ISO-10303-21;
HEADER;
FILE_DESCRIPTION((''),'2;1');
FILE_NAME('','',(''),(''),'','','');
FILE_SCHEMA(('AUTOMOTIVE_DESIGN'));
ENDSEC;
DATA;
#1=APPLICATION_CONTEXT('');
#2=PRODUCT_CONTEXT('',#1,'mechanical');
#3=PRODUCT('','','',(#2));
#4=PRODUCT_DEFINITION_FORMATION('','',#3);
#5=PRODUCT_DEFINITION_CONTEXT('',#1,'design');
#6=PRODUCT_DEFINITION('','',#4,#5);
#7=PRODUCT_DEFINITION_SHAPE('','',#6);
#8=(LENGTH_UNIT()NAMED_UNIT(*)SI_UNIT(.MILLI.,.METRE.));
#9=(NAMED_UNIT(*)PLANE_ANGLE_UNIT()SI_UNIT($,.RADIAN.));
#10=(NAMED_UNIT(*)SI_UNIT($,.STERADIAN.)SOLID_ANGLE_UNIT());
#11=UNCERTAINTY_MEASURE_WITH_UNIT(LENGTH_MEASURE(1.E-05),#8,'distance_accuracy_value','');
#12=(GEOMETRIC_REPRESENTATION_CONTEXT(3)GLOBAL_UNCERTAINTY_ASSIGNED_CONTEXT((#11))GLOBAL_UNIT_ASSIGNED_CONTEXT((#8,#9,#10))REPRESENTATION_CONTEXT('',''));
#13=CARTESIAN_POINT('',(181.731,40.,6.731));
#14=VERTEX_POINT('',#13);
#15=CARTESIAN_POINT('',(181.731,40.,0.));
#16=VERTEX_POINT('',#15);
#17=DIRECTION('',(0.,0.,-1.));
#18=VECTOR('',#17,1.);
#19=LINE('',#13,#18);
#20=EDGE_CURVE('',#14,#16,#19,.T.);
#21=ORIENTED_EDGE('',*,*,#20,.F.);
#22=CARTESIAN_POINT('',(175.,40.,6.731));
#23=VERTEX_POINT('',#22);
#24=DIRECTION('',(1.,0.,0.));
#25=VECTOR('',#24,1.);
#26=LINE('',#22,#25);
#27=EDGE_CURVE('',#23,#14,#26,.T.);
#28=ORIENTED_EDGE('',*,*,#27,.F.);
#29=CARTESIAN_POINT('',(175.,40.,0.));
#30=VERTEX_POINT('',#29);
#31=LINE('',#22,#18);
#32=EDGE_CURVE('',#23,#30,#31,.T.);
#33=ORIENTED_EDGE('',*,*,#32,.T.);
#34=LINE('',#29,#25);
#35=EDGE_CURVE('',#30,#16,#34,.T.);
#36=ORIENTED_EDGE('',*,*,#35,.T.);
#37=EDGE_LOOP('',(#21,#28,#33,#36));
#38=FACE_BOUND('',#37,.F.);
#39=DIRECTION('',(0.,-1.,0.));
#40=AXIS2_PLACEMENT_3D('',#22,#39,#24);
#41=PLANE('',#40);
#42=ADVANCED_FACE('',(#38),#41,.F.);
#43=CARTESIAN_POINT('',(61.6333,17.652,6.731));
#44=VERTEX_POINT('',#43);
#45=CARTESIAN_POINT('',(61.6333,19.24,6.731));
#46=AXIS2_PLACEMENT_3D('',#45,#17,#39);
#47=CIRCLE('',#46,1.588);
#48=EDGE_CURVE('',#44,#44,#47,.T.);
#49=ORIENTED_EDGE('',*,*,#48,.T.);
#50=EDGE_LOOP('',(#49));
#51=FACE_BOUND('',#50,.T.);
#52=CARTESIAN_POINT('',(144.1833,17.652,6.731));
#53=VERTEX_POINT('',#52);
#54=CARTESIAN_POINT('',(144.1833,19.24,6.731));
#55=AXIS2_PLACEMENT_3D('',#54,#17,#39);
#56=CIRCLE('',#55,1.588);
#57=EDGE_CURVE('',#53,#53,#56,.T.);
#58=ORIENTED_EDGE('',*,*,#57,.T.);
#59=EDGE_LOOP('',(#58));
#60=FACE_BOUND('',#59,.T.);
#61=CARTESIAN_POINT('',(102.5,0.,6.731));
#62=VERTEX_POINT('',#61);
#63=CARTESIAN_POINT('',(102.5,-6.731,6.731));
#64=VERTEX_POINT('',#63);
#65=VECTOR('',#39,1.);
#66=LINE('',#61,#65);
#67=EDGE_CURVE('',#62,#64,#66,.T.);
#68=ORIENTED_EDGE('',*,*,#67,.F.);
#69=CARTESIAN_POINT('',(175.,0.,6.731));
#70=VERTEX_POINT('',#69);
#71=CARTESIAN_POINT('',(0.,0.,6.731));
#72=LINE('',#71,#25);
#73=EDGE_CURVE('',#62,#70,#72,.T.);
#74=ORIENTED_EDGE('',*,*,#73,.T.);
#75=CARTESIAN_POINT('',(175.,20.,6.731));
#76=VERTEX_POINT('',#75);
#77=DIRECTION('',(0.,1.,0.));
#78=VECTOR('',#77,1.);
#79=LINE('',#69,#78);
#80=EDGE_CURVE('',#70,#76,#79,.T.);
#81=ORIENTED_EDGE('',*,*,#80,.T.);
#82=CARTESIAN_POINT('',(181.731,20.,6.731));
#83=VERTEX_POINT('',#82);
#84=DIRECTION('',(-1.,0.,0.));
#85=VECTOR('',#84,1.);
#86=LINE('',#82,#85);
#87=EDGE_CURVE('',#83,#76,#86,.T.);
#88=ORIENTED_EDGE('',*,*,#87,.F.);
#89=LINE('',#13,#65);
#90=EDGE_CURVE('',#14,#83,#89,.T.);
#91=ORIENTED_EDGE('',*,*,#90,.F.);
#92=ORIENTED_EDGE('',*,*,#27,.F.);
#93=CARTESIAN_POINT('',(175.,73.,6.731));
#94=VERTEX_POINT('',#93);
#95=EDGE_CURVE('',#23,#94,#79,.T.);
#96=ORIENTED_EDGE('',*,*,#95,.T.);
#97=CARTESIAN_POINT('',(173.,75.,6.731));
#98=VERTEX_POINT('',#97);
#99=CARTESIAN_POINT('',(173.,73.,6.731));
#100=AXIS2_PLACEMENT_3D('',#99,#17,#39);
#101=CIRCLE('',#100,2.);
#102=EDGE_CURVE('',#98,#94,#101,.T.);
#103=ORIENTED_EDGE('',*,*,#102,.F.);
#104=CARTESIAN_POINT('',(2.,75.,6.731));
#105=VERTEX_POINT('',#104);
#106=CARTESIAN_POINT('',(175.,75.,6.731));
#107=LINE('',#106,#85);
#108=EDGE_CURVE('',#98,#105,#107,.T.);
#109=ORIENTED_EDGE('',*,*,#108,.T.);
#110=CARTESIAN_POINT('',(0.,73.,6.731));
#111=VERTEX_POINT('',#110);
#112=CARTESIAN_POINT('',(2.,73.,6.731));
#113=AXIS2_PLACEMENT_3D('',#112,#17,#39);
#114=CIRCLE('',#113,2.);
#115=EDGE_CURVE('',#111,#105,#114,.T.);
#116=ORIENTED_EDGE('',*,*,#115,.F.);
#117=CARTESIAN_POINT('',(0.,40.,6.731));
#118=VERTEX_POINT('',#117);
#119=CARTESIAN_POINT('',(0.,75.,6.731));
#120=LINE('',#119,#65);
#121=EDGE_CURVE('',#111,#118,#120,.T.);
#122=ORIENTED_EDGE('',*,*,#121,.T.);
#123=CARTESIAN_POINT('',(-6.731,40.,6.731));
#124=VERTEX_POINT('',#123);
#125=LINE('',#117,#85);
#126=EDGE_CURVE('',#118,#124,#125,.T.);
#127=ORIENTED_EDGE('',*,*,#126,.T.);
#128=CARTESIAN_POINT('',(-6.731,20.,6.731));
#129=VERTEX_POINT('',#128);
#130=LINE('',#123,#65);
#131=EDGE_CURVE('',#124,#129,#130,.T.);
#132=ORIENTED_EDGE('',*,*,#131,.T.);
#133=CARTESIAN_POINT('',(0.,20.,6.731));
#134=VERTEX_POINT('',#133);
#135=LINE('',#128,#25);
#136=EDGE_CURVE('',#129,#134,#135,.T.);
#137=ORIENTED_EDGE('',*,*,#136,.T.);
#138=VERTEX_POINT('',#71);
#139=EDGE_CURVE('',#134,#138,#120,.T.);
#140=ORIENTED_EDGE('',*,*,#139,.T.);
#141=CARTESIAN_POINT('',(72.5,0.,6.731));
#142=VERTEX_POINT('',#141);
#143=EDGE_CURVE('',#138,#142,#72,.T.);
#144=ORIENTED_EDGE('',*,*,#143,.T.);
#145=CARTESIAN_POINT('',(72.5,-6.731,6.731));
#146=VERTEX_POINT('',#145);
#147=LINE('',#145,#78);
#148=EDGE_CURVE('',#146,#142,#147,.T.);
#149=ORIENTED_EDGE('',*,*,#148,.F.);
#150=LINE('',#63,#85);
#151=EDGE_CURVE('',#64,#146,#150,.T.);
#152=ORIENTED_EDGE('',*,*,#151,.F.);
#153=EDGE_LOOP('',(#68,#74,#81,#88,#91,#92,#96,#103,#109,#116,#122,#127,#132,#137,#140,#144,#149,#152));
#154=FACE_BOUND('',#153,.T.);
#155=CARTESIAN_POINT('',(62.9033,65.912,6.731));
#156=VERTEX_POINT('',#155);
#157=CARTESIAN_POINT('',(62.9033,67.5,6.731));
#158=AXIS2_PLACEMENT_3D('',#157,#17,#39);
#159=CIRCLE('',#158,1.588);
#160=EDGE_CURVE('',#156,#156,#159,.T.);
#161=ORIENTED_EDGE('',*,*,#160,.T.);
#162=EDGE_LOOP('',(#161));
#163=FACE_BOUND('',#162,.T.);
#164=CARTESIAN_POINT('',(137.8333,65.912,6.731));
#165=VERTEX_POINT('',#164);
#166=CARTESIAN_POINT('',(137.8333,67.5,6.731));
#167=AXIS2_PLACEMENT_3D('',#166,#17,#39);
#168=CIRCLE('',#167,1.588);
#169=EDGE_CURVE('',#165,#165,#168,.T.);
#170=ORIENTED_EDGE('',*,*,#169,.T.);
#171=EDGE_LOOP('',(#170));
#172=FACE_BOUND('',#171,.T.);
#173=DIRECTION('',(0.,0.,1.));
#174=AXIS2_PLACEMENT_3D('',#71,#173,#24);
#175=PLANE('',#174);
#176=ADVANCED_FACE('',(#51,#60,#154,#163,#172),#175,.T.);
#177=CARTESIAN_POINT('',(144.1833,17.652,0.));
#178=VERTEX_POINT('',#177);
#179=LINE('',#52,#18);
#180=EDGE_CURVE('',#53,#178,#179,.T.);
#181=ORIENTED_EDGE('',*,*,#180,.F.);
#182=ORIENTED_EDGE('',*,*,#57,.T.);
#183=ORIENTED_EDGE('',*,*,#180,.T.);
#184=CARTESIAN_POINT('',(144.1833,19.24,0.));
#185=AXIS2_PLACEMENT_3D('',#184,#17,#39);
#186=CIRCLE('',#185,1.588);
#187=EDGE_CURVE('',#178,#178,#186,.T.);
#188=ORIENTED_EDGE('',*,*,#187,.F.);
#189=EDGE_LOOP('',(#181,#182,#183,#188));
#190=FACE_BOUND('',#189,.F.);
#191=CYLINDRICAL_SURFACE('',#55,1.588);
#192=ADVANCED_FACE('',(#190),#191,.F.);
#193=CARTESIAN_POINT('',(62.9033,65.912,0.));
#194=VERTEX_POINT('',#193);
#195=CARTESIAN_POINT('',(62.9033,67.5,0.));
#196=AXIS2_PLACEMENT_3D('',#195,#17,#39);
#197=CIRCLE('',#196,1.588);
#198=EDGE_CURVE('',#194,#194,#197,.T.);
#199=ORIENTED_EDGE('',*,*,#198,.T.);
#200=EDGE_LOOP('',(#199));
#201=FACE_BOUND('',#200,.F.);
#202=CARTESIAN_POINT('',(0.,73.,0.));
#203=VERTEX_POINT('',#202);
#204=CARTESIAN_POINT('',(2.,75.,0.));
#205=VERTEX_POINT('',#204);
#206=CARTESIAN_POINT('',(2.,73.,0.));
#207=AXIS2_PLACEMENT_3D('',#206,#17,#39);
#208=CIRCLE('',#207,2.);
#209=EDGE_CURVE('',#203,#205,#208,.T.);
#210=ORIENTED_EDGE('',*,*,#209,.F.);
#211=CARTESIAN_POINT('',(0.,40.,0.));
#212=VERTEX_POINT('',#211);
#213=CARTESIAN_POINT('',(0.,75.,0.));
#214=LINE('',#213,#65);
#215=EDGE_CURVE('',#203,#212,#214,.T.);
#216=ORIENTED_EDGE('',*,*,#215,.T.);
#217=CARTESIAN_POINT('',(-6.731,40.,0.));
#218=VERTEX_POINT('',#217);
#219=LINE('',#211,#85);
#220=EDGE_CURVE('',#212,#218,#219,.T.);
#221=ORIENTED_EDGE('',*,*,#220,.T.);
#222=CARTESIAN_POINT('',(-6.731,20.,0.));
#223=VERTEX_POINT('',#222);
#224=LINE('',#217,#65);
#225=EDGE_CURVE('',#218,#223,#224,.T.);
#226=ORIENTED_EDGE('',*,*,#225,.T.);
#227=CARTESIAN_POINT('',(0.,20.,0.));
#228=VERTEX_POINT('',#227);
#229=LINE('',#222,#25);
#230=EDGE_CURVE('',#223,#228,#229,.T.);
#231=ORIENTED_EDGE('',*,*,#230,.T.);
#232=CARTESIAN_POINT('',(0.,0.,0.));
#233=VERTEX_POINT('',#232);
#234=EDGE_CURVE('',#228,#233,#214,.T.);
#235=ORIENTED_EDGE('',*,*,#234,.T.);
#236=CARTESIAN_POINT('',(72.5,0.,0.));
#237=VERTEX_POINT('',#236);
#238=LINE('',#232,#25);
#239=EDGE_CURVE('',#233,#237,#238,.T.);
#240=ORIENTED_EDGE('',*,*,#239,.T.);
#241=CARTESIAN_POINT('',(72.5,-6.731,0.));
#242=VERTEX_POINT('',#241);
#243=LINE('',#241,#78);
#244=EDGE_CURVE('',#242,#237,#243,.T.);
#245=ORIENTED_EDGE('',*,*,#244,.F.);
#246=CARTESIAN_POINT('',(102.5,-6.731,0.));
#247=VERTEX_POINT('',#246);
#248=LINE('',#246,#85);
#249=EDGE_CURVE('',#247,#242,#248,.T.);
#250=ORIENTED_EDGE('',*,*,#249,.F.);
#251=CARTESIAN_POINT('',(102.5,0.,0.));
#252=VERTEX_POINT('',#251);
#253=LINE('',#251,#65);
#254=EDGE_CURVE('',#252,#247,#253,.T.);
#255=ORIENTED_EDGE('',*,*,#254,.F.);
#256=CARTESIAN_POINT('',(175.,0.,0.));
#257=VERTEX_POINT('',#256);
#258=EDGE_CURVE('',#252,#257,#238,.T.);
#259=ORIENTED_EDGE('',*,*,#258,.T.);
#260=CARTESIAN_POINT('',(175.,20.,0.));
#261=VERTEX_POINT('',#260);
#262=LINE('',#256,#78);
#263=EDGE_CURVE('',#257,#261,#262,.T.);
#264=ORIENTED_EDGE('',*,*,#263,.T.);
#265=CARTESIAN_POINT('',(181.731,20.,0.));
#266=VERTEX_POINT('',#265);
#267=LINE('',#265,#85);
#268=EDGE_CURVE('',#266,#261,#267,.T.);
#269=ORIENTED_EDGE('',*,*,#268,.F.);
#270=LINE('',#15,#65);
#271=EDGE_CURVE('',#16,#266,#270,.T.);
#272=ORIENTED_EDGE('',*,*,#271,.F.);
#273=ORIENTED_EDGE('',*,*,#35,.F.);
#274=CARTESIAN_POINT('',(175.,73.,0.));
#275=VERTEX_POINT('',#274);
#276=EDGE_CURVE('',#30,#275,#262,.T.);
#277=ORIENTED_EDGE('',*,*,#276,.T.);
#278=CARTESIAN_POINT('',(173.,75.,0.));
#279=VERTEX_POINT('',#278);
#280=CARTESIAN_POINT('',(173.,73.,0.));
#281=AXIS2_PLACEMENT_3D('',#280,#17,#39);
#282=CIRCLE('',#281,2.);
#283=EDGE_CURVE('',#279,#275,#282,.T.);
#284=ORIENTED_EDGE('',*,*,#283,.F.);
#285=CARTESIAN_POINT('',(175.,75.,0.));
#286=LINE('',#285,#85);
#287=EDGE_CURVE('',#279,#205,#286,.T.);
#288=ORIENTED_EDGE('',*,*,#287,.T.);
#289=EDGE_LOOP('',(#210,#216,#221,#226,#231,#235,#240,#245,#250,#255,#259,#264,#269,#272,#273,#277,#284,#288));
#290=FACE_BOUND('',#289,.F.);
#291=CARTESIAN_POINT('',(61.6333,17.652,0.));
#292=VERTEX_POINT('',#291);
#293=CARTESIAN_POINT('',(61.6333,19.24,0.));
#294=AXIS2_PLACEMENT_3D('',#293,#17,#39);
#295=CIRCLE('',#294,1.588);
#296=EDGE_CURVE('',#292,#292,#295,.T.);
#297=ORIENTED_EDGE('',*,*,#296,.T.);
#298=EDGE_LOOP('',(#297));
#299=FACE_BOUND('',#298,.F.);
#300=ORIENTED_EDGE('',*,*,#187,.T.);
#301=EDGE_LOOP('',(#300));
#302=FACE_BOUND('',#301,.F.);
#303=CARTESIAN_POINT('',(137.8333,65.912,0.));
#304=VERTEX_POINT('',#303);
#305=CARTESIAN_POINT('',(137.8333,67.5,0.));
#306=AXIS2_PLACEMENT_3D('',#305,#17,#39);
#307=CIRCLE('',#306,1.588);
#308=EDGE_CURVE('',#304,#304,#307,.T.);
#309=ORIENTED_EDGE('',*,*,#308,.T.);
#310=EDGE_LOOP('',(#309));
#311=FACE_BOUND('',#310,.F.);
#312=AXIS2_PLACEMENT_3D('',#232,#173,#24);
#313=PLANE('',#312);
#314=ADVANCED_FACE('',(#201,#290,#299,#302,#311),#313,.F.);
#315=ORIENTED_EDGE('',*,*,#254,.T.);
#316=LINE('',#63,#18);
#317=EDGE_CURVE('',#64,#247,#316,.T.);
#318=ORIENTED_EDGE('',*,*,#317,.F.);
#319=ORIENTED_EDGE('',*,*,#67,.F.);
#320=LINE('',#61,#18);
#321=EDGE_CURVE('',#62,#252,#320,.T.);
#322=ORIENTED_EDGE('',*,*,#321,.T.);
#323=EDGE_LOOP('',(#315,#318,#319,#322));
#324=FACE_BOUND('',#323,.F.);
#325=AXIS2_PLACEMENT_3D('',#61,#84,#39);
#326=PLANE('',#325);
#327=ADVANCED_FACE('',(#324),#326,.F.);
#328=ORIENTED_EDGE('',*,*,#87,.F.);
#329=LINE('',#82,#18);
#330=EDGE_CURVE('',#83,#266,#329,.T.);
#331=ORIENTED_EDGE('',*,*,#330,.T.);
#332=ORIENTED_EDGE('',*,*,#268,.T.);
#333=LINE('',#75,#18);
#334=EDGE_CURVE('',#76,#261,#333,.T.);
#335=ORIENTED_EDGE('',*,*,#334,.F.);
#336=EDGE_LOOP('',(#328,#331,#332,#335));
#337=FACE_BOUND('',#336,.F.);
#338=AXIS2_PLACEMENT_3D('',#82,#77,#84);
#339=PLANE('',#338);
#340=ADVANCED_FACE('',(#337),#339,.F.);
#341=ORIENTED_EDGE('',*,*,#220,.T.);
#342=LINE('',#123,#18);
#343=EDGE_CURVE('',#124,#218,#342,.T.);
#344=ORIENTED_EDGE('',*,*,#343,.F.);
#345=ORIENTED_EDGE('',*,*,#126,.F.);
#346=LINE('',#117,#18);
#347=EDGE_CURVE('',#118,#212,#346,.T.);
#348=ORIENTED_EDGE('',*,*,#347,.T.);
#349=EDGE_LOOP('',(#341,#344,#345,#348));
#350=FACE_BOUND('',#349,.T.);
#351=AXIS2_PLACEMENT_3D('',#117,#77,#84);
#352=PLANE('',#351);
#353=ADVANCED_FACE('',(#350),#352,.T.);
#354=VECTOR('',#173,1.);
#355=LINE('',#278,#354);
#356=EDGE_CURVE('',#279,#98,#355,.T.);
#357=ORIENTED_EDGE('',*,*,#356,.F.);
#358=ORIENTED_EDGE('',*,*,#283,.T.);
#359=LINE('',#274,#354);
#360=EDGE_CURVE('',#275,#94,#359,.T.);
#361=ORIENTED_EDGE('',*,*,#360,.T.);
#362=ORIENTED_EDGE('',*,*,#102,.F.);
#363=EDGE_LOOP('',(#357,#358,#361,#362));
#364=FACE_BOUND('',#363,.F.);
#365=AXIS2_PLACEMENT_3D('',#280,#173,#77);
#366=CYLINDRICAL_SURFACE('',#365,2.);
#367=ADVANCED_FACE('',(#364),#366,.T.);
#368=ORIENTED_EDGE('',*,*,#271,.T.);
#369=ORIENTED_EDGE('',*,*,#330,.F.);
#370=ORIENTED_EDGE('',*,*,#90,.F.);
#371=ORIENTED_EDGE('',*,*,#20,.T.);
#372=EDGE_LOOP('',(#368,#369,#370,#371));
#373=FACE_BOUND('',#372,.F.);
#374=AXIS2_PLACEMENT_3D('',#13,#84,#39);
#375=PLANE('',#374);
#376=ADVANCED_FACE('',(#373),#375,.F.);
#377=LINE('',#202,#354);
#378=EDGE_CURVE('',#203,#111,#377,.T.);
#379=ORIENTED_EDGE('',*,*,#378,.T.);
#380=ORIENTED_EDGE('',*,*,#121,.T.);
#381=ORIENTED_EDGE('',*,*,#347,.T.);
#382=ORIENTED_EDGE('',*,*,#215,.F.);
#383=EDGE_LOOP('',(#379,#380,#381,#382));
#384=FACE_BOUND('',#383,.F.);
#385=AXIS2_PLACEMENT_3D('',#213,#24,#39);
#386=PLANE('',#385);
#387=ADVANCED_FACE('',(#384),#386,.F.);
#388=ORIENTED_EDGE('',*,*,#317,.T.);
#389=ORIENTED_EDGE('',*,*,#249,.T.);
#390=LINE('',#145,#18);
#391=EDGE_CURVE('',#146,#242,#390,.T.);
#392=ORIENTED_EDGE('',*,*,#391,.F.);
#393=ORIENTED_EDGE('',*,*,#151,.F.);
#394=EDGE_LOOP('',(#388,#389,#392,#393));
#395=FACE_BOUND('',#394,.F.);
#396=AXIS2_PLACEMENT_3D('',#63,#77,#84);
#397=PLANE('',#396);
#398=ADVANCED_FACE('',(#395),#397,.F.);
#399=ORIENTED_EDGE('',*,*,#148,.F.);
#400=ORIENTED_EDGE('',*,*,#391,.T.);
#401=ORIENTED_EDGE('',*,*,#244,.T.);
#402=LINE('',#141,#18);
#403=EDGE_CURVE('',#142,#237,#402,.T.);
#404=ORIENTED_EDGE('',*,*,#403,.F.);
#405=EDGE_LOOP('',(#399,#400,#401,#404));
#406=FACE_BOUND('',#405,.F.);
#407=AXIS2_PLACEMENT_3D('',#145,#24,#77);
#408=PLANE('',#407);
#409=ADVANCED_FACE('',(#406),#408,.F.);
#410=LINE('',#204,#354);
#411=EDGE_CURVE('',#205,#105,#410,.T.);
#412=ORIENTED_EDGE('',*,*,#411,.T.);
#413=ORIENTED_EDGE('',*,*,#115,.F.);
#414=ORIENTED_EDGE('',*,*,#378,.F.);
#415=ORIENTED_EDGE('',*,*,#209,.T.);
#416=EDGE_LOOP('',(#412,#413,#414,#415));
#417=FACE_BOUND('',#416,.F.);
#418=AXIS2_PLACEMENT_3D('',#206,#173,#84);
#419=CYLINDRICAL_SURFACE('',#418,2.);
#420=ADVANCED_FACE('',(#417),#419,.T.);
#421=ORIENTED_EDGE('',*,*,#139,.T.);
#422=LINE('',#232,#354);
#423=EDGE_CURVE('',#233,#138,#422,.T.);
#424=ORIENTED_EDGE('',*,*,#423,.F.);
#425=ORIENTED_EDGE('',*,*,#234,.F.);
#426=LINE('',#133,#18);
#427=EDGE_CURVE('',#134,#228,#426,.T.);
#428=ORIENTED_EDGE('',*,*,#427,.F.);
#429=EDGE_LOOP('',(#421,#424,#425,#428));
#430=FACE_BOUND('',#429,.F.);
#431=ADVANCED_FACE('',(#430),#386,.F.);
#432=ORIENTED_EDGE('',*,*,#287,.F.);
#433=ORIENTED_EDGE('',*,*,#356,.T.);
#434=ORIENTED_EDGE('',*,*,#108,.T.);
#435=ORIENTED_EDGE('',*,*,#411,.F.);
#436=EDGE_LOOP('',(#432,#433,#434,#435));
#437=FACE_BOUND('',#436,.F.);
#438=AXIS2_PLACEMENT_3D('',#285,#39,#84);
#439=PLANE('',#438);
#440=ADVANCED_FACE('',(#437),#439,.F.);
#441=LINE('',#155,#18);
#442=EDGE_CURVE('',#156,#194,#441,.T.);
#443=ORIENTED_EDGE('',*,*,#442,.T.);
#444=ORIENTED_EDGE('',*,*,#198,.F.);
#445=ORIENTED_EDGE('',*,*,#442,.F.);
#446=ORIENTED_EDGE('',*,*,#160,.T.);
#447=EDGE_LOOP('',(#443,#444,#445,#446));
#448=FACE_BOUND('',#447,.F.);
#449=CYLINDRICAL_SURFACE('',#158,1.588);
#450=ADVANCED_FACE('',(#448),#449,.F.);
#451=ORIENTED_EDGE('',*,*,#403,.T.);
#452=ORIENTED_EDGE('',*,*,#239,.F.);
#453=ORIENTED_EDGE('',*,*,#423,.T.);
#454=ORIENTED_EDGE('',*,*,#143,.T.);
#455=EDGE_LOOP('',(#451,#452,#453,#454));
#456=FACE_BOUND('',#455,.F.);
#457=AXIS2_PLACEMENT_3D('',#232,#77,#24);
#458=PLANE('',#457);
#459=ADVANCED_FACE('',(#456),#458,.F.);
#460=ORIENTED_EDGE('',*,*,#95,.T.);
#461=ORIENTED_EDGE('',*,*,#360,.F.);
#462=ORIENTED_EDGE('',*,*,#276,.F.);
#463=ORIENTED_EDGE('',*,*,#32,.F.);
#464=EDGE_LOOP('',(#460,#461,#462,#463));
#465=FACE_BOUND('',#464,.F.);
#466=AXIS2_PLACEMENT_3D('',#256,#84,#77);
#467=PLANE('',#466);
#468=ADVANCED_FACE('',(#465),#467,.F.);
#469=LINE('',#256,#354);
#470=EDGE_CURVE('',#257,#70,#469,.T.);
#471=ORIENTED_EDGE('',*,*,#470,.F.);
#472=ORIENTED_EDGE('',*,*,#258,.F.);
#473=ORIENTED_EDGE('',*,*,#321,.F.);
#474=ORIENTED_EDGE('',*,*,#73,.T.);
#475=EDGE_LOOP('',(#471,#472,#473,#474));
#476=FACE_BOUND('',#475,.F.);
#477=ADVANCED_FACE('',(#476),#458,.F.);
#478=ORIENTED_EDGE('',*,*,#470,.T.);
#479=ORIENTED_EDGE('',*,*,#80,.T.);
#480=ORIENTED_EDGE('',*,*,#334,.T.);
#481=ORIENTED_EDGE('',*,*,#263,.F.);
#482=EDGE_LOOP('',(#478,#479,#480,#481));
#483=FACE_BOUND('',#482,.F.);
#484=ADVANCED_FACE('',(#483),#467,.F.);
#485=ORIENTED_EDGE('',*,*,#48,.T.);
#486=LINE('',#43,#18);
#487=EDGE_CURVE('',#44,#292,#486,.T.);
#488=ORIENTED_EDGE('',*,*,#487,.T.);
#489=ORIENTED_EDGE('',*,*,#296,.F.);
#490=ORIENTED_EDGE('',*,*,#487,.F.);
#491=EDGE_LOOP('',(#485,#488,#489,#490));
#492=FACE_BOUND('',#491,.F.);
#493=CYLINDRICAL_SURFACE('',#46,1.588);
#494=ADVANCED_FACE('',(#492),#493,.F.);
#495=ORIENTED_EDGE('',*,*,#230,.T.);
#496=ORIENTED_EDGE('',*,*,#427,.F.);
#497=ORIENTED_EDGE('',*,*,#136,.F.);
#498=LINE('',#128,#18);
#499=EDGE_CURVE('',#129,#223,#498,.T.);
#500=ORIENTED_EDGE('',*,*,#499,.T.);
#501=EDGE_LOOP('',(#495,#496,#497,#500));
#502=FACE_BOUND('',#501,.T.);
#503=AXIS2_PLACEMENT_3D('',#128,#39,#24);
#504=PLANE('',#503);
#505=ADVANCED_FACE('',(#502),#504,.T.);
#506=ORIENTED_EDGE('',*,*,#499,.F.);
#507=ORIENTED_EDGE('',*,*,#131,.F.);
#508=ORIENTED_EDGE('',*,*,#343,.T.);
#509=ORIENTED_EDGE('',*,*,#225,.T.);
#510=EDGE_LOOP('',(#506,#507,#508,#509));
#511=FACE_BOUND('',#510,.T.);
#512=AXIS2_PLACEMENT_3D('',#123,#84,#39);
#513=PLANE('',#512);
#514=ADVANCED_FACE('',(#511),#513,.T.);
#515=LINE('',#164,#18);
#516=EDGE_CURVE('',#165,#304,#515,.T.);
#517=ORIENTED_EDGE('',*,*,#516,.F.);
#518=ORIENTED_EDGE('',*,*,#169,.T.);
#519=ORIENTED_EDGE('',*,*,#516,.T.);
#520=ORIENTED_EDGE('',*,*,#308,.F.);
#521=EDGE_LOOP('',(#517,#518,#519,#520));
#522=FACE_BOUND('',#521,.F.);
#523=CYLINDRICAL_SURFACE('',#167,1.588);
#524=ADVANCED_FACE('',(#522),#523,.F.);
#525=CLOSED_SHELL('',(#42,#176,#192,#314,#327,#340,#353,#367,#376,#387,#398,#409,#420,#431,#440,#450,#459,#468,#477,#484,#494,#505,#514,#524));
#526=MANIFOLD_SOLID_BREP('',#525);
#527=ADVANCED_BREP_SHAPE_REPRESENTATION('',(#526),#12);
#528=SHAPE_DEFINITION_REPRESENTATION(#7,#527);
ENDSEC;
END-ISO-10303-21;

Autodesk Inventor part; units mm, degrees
ref_plane "YZ Plane" through (0, 0, 0) normal (1, 0, 0) x (0, 1, 0)
ref_plane "XZ Plane" through (0, 0, 0) normal (0, 1, 0) x (-1, 0, 0)
ref_plane "XY Plane" through (0, 0, 0) normal (0, 0, 1) x (1, 0, 0)
sketch "Sketch1" plane through (0, 0, 0) normal (0, 0, 1) x (1, 0, 0)
  line L0 (0, 0) -> (175, 0)
  line L1 (175, 0) -> (175, 75)
  line L2 (175, 75) -> (0, 75)
  line L3 (0, 75) -> (0, 0)
  dimension "d0" = 175
  dimension "d1" = 75
extrude "Extrusion1" add sketch "Sketch1" along normal blind 6.731
sketch "Sketch2" plane through (0, 0, 6.731) normal (0, 0, 1) x (1, 0, 0)
  line L0 (0, 0) -> (175, 0) projected
  line L1 (175, 0) -> (175, 75) projected
  line L2 (175, 75) -> (0, 75) projected
  line L3 (0, 75) -> (0, 0) projected
  line L4 (61.6333, 19.24) -> (144.1833, 19.24)
  line L5 (144.1833, 19.24) -> (144.1833, 67.5)
  line L6 (144.1833, 67.5) -> (137.8333, 67.5)
  line L7 (137.8333, 67.5) -> (62.9033, 67.5)
  line L8 (62.9033, 67.5) -> (61.6333, 67.5)
  line L9 (61.6333, 67.5) -> (61.6333, 19.24)
  dimension "d9" = 1.27
  dimension "d10" = 48.26
  dimension "d12" = 82.55
  dimension "d13" = 74.93
  dimension "d15" = 61.6333
  dimension "d16" = 30.8167
  dimension "d17" = 7.5
hole "Hole1" at (62.9033, 67.5, 6.731) at (144.1833, 19.24, 6.731) at (61.6333, 19.24, 6.731) at (137.8333, 67.5, 6.731) direction (0, 0, -1) diameter 3.176 end through all
sketch "Sketch3" plane through (0, 0, 6.731) normal (0, 0, 1) x (1, 0, 0)
  line L0 (0, 0) -> (175, 0) projected
  line L1 (175, 0) -> (175, 75) projected
  line L2 (0, 75) -> (0, 0) projected
  line L3 (72.5, 0) -> (102.5, 0)
  line L4 (102.5, 0) -> (102.5, -6.731)
  line L5 (102.5, -6.731) -> (72.5, -6.731)
  line L6 (72.5, -6.731) -> (72.5, 0)
  line L7 (0, 40) -> (-6.731, 40)
  line L8 (-6.731, 40) -> (-6.731, 20)
  line L9 (-6.731, 20) -> (0, 20)
  line L10 (0, 20) -> (0, 40)
  line L11 (175, 40) -> (181.731, 40)
  line L12 (181.731, 40) -> (181.731, 20)
  line L13 (181.731, 20) -> (175, 20)
  line L14 (175, 20) -> (175, 40)
  point P0 (87.5, -6.731)
  point P1 (87.5, 0)
  point P2 (-6.731, 30)
  point P3 (181.731, 30)
  dimension "d25" = 6.731
  dimension "d26" = 30
  dimension "d29" = 20
  dimension "d31" = 20
extrude "Extrusion2" add sketch "Sketch3" against normal blind 6.731
fillet "Fillet1" radius 2 2 edges at (0, 75, 3.3655) (175, 75, 3.3655)
equation "\"d7\" = THICKB"
equation "\"d15\" = 2 * d16"
equation "\"d25\" = THICKB"
equation "\"d27\" = THICKB"
equation "\"THICKA\" = 3.175"
equation "\"THICKB\" = 6.731"
equation "\"THICKC\" = 12.7"
equation "\"THICKPLY\" = 5"
equation "\"MAGDIA\" = 9.5"
equation "\"BALLDIA\" = 12"
properties part number "Mount_Mega_Bottom"
